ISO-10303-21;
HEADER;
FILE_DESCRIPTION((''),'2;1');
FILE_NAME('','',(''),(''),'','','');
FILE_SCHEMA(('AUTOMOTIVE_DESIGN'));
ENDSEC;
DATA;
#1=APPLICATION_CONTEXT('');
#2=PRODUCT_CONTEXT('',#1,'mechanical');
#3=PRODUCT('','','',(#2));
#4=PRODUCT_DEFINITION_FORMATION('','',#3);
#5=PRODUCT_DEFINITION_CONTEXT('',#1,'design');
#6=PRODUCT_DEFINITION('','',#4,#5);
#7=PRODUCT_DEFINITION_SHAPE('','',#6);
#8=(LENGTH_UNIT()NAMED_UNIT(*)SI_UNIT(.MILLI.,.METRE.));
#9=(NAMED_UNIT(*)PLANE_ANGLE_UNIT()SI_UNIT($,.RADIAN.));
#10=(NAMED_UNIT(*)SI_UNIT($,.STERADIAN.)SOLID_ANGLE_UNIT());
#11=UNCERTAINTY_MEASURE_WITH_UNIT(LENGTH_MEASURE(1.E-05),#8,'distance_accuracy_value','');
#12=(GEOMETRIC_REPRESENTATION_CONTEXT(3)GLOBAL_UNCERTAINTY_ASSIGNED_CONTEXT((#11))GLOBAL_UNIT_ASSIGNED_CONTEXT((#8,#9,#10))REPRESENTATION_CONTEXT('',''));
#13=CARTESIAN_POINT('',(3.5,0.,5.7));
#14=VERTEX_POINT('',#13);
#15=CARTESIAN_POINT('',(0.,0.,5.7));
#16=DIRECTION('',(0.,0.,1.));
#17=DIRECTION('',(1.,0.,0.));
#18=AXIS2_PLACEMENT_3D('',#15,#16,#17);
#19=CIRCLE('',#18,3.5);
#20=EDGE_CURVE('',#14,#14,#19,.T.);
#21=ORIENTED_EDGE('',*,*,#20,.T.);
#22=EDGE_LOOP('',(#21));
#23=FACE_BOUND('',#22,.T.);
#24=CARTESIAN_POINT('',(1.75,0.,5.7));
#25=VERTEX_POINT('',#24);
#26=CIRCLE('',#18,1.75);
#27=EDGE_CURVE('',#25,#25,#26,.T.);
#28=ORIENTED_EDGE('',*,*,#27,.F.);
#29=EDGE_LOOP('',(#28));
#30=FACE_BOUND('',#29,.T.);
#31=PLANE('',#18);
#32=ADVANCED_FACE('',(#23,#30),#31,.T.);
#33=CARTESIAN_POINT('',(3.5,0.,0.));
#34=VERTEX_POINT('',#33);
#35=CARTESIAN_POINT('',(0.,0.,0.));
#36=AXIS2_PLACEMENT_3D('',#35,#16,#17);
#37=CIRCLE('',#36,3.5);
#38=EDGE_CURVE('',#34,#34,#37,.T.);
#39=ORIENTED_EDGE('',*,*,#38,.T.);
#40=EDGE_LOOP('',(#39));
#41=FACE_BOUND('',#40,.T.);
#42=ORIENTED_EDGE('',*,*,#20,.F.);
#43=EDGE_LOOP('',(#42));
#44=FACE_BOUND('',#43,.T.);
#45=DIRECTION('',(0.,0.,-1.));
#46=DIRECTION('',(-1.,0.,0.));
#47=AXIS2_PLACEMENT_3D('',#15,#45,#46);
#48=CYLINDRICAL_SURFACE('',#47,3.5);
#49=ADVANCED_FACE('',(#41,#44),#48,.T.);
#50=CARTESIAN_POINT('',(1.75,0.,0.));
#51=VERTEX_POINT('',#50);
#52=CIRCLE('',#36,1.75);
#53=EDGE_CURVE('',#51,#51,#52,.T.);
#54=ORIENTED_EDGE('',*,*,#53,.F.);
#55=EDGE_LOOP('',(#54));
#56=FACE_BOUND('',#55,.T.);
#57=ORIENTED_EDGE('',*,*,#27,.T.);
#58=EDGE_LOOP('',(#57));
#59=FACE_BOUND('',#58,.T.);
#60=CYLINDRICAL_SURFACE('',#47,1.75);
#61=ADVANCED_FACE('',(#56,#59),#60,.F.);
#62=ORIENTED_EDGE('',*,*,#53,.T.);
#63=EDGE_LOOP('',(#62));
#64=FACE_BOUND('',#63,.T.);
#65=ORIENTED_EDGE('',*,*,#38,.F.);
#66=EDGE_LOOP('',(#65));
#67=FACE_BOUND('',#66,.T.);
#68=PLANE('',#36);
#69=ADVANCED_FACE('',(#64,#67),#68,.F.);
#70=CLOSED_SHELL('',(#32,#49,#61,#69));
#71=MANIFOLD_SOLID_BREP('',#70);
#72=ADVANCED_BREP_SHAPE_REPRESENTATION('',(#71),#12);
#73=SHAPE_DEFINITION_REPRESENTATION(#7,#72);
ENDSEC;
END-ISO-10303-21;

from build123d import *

# Parameters (mm, degrees)
ESBO_O1_R                = 3.5
ESBO_O1_R_2              = 1.75
RESSALTO_EXTRUS_O1_DEPTH = 5.7


with BuildPart() as part:
    # Esboço1 → Ressalto-extrusão1 (new body)
    with BuildSketch(Plane.XY):
        Circle(ESBO_O1_R)
        Circle(ESBO_O1_R_2, mode=Mode.SUBTRACT)
    extrude(amount=RESSALTO_EXTRUS_O1_DEPTH)


solid = part.part
